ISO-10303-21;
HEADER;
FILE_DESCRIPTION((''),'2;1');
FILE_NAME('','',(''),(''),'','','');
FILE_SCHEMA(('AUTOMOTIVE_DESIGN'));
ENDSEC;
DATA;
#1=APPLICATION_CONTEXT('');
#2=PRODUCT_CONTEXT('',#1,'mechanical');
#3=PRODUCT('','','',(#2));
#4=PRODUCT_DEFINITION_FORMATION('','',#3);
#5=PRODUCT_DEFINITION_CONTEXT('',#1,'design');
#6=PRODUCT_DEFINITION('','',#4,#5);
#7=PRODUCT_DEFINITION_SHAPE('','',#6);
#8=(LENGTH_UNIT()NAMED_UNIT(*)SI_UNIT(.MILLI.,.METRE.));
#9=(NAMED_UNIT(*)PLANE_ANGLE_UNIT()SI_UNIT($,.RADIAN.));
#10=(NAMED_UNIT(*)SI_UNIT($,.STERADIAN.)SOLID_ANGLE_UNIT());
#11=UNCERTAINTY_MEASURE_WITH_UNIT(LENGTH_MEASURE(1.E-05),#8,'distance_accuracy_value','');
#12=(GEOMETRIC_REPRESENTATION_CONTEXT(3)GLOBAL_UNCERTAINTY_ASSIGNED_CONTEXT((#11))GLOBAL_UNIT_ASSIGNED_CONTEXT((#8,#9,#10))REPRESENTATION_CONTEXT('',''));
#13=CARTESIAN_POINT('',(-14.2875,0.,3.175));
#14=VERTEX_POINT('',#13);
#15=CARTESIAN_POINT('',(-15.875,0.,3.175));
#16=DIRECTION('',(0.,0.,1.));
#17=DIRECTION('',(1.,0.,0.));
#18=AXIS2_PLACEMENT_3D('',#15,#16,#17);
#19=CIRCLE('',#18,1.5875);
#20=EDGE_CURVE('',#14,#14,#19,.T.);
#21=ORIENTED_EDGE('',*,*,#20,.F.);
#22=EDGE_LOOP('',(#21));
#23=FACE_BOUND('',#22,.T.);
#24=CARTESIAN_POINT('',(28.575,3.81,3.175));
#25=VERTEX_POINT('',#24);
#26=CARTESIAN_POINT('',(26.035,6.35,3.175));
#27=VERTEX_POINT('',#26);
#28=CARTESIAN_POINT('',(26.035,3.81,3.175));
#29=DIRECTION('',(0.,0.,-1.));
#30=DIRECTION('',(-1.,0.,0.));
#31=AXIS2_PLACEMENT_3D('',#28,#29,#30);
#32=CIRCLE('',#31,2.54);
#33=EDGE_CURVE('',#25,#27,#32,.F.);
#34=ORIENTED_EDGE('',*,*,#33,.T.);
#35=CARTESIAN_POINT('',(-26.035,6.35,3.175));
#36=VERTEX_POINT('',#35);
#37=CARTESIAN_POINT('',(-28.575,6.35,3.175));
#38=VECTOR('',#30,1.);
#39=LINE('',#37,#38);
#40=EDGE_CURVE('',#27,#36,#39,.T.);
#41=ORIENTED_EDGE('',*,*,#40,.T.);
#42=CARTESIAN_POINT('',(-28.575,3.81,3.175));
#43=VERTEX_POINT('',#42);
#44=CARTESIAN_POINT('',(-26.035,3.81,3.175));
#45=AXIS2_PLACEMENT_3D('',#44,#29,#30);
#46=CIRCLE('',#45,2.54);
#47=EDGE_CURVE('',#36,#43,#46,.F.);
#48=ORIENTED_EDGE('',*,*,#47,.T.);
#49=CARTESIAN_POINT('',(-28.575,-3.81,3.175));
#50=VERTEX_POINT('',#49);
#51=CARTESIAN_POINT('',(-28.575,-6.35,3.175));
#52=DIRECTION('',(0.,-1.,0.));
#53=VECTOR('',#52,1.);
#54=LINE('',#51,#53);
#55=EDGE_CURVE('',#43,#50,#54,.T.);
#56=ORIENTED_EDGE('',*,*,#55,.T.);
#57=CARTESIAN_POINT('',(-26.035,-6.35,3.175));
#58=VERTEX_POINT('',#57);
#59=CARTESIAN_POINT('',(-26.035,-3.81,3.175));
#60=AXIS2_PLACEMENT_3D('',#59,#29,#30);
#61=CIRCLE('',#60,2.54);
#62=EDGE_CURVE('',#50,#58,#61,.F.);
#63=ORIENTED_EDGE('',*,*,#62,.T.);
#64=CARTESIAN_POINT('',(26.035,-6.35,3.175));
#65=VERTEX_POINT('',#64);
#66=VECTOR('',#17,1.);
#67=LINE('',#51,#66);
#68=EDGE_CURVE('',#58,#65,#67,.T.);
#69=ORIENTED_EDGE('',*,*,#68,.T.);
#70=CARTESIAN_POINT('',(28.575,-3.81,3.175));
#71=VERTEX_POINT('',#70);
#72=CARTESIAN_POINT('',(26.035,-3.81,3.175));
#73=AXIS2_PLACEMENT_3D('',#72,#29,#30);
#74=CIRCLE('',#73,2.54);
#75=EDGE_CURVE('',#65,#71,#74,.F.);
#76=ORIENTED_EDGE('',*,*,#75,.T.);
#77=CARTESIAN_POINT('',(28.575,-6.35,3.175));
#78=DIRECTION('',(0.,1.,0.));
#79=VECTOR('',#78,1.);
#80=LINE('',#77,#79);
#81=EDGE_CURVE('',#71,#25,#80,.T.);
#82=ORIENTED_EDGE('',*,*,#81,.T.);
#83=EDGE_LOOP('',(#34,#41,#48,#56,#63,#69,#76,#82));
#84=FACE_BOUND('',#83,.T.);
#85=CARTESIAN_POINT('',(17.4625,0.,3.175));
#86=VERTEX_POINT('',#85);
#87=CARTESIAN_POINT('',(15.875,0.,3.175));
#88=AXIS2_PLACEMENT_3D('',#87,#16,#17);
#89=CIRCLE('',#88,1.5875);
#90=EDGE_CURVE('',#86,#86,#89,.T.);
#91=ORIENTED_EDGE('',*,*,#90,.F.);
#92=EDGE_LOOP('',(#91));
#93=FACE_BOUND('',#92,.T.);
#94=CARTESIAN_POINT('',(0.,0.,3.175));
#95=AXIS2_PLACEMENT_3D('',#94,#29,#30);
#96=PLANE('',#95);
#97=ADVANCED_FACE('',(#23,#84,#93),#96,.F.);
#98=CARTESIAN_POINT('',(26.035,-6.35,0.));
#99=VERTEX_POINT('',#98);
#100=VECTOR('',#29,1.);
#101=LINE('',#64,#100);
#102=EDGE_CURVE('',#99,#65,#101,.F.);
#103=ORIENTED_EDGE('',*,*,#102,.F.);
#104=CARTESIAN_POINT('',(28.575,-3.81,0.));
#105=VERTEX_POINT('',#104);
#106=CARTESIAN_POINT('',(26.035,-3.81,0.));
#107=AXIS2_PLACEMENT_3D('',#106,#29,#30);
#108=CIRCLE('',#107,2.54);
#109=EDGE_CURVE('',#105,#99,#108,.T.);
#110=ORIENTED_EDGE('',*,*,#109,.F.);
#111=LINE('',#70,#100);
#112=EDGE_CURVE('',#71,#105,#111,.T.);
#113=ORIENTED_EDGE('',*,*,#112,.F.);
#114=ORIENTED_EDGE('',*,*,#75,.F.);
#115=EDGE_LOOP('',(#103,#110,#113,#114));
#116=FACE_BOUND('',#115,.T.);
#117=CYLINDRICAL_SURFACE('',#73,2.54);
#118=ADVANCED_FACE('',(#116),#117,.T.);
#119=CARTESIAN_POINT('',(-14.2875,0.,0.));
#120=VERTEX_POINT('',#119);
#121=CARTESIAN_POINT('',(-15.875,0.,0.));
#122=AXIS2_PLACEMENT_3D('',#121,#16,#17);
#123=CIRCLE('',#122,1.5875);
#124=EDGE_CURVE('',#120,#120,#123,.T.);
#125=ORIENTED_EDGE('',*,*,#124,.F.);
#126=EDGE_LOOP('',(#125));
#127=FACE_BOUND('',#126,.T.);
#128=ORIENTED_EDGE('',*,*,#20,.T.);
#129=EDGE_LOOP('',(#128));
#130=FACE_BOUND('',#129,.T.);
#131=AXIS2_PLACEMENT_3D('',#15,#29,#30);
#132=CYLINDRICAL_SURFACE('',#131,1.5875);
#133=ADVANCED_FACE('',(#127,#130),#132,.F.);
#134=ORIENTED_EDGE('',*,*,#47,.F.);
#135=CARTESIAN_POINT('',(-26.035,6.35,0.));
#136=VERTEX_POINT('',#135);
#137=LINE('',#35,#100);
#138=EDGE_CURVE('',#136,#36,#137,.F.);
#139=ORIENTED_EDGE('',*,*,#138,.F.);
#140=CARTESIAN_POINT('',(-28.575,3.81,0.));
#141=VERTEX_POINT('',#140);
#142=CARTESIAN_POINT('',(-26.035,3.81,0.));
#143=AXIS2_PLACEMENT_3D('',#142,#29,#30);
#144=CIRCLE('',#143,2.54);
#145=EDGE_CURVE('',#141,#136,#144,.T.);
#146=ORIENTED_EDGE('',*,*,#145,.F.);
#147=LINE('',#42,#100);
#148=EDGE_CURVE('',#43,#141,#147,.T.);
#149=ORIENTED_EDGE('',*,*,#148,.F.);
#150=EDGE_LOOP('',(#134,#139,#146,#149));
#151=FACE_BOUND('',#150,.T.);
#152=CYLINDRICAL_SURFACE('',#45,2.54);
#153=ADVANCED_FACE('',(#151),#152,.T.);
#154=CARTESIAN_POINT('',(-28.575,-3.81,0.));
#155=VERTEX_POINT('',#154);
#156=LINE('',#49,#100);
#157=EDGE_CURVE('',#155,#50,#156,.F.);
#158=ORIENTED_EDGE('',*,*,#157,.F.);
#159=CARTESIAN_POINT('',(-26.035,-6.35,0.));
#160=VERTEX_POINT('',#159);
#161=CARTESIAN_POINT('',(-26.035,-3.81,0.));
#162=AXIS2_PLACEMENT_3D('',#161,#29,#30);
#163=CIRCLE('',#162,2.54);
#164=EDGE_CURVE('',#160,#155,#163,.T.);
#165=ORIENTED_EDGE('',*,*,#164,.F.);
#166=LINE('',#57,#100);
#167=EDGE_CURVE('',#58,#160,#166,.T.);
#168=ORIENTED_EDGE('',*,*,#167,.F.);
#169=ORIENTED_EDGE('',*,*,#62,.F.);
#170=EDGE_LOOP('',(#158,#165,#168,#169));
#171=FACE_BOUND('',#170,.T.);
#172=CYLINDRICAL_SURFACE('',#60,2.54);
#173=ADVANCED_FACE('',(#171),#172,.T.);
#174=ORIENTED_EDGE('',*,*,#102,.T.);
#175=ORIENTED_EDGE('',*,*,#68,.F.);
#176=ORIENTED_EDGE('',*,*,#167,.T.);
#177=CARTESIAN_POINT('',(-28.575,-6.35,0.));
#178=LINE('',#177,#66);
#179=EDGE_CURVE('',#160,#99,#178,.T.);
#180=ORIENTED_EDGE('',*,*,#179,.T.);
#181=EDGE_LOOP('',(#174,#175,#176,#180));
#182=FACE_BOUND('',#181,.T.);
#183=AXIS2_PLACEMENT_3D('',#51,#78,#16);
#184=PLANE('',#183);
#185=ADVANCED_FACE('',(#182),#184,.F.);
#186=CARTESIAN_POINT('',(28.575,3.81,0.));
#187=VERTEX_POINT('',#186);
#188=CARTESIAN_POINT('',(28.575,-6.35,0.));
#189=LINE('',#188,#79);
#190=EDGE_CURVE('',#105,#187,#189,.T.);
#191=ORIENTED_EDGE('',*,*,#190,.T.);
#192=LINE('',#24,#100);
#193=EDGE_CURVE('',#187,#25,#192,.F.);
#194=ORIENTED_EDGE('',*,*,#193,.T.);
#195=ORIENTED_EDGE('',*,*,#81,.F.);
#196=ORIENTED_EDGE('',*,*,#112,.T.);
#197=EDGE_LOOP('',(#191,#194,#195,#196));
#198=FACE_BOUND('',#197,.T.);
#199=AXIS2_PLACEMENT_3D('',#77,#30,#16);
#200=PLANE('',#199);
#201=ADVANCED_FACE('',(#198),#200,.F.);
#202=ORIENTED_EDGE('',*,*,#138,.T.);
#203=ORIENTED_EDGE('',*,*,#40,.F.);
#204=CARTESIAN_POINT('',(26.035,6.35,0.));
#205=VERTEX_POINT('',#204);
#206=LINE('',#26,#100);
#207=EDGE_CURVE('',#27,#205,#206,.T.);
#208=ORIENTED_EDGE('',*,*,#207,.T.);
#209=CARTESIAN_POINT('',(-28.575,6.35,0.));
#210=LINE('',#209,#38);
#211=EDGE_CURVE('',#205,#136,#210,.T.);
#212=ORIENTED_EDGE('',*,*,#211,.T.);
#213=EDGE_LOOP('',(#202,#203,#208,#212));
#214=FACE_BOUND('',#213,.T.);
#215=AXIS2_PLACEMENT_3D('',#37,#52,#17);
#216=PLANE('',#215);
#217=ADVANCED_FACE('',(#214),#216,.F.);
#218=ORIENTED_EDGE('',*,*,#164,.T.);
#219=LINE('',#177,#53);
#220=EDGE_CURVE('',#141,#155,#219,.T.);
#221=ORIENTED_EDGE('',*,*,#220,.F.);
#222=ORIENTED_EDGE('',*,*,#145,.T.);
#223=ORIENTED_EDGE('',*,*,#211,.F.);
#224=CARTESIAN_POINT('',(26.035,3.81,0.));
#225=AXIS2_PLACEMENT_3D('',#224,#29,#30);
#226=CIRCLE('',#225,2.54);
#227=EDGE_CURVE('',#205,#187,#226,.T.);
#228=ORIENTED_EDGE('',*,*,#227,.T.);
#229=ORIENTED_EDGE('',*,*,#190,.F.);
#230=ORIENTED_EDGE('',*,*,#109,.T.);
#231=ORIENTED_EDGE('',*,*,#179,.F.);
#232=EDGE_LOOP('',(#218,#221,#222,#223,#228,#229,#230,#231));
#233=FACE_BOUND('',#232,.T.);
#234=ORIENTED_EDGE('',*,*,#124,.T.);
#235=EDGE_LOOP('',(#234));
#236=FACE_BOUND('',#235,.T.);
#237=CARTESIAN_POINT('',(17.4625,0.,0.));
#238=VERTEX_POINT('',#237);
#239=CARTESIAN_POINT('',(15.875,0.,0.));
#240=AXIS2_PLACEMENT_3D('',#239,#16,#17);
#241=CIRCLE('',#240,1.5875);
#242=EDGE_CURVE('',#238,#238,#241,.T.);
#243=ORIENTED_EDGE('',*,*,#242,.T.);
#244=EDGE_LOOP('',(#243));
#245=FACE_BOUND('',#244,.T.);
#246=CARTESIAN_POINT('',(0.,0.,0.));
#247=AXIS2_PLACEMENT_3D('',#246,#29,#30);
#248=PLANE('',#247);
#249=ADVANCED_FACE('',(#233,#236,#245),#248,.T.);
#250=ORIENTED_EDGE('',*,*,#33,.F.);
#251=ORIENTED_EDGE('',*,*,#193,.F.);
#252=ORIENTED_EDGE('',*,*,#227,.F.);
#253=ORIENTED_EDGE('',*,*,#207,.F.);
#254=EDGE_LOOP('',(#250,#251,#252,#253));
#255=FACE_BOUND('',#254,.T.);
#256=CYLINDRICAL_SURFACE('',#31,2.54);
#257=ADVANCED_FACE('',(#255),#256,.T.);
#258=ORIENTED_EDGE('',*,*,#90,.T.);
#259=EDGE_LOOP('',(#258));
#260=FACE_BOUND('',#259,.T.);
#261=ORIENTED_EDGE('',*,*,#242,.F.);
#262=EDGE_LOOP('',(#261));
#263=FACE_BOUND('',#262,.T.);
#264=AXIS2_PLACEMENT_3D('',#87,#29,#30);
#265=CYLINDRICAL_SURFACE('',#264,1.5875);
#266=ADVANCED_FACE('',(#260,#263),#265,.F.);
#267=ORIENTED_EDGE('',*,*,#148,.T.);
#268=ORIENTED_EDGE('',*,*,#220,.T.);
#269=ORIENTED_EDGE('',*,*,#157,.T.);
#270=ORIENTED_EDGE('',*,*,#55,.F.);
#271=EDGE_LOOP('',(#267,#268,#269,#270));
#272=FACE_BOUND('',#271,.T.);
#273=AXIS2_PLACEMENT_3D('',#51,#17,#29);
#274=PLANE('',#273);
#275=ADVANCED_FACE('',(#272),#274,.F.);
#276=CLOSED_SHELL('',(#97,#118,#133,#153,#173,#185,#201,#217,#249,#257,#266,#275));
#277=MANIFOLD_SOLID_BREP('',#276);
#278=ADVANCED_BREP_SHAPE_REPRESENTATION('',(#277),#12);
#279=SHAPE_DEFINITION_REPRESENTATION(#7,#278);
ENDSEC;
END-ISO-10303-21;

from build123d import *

# Parameters (mm, degrees)
SKETCH1_W           = 57.15
SKETCH1_H           = 12.7
SKETCH1_R           = 1.5875
BOSS_EXTRUDE1_DEPTH = 3.175
FILLET1_R           = 2.54


with BuildPart() as part:
    # Sketch1 → Boss-Extrude1 (new body)
    with BuildSketch(Plane.XY):
        Rectangle(SKETCH1_W, SKETCH1_H)
        with Locations((-15.875, 0)):
            Circle(SKETCH1_R, mode=Mode.SUBTRACT)
        with Locations((15.875, 0)):
            Circle(SKETCH1_R, mode=Mode.SUBTRACT)
    extrude(amount=BOSS_EXTRUDE1_DEPTH)

    # Fillet1
    fillet1_edges = [part.edges().sort_by_distance(p)[0] for p in [
        (28.575, -6.35, 1.5875),
        (-28.575, -6.35, 1.5875),
        (-28.575, 6.35, 1.5875),
        (28.575, 6.35, 1.5875),
    ]]
    fillet(fillet1_edges, radius=FILLET1_R)


solid = part.part
